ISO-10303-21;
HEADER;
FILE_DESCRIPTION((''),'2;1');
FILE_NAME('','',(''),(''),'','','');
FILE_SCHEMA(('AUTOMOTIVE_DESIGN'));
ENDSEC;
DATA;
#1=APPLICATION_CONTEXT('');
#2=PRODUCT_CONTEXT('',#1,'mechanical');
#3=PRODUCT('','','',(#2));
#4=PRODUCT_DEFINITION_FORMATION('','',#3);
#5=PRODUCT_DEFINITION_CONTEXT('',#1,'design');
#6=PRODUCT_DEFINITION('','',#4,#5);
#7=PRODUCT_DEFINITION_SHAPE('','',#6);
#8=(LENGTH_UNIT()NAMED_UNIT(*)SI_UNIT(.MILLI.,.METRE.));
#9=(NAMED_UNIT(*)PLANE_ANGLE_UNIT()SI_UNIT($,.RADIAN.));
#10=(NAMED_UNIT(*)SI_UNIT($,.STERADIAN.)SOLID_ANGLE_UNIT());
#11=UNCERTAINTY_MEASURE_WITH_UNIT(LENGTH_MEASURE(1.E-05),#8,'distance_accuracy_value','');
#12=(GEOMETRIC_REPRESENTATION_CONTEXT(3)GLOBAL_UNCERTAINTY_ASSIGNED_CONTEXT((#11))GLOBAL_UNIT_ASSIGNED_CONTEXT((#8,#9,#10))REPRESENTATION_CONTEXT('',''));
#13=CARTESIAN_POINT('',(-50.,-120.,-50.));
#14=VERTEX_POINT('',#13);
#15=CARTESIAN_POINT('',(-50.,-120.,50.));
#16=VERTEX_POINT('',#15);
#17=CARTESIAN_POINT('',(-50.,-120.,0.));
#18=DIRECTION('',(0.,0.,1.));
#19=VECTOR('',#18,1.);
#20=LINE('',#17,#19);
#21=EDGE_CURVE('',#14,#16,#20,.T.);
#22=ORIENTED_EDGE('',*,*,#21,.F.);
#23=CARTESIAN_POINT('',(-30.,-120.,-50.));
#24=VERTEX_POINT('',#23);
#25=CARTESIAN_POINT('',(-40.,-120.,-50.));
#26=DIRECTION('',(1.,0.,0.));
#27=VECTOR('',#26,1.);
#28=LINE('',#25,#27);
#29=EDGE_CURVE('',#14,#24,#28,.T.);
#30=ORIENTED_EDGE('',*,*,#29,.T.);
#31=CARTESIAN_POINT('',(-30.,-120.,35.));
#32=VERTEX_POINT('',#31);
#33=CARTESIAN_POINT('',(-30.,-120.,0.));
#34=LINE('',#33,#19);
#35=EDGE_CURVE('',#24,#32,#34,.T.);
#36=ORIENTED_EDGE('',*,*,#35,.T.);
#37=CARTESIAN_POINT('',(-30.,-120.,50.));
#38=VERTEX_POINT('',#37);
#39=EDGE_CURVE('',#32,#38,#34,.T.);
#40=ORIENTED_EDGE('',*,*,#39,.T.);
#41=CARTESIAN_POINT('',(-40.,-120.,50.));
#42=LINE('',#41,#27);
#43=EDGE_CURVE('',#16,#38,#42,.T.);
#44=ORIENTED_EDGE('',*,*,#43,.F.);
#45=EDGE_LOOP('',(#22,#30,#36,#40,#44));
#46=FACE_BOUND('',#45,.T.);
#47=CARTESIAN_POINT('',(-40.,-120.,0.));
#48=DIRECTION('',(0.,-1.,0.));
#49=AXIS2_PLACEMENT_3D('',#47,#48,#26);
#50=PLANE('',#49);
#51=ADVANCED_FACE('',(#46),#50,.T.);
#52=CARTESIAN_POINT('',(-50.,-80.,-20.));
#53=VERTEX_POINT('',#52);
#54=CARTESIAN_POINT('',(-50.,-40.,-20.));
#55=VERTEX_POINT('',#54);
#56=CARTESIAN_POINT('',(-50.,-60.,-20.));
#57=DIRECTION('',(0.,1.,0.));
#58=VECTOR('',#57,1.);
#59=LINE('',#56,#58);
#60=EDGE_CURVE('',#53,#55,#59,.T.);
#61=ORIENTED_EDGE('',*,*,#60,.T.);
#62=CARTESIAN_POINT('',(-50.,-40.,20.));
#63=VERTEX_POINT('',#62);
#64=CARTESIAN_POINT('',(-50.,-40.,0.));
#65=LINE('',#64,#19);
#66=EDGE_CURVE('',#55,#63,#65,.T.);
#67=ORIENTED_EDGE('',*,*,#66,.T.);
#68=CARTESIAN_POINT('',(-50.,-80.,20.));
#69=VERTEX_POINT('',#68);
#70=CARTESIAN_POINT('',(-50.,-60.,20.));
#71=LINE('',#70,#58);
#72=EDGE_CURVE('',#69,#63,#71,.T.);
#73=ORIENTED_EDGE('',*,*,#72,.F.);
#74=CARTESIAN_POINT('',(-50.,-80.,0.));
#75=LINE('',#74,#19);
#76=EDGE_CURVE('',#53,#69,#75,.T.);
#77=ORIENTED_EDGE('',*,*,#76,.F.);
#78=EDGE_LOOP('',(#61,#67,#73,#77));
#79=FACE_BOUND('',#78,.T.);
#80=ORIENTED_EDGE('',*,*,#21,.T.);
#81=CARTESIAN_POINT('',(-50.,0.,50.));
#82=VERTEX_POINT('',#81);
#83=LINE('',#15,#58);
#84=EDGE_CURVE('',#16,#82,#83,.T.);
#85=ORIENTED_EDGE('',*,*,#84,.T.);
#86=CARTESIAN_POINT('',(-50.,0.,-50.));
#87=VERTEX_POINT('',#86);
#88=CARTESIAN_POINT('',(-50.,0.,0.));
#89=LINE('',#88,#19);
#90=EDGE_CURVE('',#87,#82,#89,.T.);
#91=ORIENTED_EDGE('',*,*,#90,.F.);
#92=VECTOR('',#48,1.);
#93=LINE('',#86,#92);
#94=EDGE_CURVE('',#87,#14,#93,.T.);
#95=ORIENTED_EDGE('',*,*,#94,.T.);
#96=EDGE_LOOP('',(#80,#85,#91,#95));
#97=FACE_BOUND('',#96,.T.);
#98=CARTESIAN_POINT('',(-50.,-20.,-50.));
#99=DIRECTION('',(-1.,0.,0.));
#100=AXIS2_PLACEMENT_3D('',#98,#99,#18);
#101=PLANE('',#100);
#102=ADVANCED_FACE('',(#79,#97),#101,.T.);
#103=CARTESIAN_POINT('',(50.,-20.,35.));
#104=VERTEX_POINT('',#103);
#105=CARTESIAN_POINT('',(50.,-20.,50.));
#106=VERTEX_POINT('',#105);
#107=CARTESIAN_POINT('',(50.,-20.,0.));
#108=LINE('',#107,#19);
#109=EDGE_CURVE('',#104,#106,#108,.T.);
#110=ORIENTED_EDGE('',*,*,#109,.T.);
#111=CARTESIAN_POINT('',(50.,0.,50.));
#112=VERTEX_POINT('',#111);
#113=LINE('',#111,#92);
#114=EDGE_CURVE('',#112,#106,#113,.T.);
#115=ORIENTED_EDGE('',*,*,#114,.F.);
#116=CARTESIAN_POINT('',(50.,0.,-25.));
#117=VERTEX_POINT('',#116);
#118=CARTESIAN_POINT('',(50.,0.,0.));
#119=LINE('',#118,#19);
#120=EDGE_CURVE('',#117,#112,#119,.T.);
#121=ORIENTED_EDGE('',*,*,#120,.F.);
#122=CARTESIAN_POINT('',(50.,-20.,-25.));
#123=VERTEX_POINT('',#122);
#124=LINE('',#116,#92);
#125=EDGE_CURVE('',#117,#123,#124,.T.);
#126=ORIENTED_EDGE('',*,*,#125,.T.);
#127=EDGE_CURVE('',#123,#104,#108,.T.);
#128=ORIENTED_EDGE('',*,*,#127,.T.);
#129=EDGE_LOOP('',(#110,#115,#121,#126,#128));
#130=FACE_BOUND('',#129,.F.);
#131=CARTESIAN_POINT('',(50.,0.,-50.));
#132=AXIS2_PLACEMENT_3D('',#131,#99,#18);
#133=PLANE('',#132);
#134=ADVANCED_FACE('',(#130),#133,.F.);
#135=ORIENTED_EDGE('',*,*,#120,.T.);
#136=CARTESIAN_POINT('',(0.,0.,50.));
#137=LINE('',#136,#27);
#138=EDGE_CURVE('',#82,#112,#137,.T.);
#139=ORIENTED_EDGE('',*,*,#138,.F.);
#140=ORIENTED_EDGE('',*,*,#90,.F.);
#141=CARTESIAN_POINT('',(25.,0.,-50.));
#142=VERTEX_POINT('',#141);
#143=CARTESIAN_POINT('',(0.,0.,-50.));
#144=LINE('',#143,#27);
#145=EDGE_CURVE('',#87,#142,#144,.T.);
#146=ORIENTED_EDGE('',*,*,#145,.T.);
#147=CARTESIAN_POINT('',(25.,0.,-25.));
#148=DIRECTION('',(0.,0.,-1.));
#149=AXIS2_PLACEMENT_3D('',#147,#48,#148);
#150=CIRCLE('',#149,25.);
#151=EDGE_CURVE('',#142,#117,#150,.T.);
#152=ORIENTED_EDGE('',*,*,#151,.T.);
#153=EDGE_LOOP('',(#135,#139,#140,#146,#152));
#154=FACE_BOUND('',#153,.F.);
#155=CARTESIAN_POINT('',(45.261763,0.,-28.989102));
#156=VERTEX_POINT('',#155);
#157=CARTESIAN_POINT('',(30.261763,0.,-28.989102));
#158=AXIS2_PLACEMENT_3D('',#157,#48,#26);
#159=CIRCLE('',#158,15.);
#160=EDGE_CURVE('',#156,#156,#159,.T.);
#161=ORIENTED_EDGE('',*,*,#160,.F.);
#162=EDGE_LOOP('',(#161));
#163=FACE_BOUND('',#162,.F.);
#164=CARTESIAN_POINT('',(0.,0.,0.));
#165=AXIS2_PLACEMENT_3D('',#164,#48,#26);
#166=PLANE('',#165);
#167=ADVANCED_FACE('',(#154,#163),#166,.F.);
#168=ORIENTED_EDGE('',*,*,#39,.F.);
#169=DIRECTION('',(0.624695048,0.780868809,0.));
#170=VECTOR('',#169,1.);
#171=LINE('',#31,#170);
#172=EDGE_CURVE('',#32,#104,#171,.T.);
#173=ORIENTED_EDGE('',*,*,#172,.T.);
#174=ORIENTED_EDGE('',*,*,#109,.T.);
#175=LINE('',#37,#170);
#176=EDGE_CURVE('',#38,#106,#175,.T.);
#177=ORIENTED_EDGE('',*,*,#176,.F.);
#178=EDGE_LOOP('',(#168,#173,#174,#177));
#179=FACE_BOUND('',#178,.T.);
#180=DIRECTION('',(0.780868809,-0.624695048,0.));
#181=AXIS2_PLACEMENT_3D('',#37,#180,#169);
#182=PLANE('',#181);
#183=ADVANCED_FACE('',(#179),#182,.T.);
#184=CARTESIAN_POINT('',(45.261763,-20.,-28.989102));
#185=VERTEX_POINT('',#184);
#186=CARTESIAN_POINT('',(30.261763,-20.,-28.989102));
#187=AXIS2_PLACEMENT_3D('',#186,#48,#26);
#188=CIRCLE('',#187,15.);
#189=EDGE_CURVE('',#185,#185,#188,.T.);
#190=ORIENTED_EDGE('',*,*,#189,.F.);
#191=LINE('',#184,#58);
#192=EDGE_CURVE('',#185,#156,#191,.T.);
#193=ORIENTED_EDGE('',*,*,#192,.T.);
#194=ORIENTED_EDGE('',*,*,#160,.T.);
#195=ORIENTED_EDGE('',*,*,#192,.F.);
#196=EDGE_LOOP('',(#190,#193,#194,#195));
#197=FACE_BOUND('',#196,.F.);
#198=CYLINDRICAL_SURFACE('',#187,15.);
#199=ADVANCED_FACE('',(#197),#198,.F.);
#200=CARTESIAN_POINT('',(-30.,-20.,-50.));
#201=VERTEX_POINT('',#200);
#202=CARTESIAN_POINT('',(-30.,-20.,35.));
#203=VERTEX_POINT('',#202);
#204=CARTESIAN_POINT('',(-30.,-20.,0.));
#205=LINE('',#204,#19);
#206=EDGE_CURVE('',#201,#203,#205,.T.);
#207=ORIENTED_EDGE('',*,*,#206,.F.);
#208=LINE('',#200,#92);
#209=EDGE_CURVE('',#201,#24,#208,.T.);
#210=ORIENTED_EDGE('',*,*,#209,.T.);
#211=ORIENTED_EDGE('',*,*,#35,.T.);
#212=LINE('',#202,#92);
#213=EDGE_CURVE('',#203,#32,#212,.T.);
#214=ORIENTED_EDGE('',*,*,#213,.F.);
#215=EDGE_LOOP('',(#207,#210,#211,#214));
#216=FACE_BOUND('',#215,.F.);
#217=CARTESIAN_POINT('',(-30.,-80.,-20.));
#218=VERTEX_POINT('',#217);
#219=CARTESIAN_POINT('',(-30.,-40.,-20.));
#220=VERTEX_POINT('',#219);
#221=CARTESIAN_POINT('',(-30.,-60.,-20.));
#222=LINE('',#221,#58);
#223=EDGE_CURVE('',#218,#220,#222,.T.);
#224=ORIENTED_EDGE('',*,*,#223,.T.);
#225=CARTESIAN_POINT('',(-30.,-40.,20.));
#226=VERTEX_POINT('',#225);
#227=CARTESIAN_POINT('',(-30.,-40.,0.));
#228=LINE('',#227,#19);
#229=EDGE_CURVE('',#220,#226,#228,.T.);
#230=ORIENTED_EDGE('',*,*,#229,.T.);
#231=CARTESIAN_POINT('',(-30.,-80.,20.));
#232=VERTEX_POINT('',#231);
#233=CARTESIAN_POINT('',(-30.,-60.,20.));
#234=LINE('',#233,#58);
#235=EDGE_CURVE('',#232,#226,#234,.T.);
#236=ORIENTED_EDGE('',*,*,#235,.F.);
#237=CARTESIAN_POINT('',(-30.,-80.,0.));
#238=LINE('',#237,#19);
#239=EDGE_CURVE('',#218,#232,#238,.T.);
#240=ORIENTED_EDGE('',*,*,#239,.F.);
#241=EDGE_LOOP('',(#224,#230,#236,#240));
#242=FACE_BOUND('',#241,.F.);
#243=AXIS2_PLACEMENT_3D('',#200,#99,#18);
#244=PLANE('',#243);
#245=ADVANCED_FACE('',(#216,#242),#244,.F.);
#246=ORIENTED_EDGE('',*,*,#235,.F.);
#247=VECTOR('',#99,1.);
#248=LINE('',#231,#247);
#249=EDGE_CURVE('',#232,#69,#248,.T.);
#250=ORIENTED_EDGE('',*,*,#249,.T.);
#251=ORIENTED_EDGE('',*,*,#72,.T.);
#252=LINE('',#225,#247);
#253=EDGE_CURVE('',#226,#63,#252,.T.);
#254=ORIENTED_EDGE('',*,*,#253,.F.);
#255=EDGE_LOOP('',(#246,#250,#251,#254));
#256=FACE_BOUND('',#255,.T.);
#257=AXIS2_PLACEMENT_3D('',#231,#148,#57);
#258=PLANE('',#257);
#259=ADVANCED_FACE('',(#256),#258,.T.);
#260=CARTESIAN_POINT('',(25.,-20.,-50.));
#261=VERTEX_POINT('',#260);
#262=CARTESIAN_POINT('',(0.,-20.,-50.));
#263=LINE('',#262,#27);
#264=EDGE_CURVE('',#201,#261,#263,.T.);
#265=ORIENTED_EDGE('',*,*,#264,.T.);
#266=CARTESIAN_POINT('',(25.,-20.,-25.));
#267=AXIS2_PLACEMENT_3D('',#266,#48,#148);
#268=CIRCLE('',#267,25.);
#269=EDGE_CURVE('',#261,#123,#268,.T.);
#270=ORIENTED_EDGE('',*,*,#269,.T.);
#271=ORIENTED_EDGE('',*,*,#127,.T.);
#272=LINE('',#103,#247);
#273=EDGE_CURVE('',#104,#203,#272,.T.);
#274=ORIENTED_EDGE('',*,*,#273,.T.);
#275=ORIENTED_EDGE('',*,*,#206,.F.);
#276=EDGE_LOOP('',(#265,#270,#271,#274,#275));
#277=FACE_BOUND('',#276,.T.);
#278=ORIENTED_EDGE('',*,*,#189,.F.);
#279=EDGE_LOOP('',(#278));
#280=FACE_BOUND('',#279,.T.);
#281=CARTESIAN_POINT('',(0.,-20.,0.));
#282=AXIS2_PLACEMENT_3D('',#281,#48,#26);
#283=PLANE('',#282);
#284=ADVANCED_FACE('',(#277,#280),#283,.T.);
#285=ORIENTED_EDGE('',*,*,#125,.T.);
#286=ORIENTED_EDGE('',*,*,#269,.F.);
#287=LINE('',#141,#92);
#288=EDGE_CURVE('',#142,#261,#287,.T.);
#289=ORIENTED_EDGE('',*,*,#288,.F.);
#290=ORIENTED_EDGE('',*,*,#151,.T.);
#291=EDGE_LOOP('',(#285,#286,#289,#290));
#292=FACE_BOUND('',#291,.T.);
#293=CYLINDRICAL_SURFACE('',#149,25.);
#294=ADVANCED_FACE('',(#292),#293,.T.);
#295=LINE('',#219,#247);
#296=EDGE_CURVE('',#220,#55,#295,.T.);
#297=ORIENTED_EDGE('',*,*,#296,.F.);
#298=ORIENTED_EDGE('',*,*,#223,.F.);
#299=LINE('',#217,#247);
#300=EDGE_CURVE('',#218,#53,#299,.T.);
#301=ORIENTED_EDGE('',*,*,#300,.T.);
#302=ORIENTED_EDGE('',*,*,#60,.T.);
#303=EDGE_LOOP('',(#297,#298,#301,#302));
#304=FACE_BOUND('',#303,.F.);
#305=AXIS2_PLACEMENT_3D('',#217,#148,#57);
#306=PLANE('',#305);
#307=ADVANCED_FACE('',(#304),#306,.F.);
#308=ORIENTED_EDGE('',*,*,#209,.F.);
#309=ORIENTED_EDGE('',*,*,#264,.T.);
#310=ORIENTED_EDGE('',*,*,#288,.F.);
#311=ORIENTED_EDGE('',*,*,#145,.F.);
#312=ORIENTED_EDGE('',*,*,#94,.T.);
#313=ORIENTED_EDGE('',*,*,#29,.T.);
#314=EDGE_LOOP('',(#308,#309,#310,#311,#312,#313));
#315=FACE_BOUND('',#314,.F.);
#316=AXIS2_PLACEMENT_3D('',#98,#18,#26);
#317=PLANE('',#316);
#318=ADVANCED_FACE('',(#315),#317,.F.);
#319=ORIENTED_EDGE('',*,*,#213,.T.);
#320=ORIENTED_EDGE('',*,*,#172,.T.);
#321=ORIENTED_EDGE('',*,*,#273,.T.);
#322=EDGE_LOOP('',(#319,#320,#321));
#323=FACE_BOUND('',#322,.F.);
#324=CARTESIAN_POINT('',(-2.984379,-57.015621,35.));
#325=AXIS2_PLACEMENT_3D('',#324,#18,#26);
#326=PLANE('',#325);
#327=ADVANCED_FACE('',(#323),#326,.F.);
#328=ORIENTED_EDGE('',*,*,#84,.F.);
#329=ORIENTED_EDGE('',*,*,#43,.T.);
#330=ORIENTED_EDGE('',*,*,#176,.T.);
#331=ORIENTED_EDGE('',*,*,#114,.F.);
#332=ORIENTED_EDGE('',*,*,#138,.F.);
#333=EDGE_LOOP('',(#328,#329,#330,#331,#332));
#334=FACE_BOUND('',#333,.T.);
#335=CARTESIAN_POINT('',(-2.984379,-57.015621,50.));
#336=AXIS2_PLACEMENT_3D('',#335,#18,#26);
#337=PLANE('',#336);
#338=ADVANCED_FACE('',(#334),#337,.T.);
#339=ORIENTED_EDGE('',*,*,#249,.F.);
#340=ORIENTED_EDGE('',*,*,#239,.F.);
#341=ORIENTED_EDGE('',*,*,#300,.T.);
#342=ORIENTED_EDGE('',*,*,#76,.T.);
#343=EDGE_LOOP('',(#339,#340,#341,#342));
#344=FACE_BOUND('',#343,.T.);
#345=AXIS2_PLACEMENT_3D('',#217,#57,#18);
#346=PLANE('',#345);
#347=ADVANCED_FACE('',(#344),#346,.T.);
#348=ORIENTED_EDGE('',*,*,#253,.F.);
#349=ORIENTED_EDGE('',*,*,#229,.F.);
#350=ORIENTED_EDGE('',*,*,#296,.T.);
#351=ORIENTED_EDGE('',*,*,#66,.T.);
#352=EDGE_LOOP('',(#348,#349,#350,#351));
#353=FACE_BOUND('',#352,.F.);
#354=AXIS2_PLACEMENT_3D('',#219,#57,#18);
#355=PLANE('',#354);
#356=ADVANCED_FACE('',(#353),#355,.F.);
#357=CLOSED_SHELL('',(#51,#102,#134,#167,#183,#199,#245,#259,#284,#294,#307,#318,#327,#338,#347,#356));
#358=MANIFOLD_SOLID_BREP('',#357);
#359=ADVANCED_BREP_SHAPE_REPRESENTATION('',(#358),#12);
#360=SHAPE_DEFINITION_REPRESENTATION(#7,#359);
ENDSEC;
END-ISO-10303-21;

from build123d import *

# Parameters (mm, degrees)
F0_W      = 100
F0_H      = 100
F1_DEPTH  = 20
F2_R      = 15
F3_DEPTH  = 20
F4_W      = 20
F4_H      = 100
F5_DEPTH  = 100
F6_R      = 25
F7_W      = 40
F7_H      = 40
F8_DEPTH  = 20
F10_DEPTH = 15


with BuildPart() as f1:
    # F0 (on Front) → F1 (new body)
    with BuildSketch(Plane.XZ):
        Rectangle(F0_W, F0_H)
    extrude(amount=F1_DEPTH)

    # F2 (on face) → F3 (cut)
    with BuildSketch(Plane.XZ.offset(20)):
        with Locations((30.261763, -28.989102)):
            Circle(F2_R)
    extrude(amount=-F3_DEPTH, mode=Mode.SUBTRACT)

    # F4 (on face) → F5 (join)
    with BuildSketch(Plane.XZ.offset(20)):
        with Locations((-40, 0)):
            Rectangle(F4_W, F4_H)
    extrude(amount=F5_DEPTH)

    # F6
    f6_edges = [f1.edges().sort_by_distance(p)[0] for p in [
        (50, -10, -50),
    ]]
    fillet(f6_edges, radius=F6_R)

    # F7 (on face) → F8 (cut)
    with BuildSketch(Plane.YZ.offset(-30)):
        with Locations((-60, 0)):
            Rectangle(F7_W, F7_H)
    extrude(amount=-F8_DEPTH, mode=Mode.SUBTRACT)

    # F9 (on face) → F10 (join)
    with BuildSketch(Plane.XY.offset(50)):
        Polygon((-30, -20), (-30, -120), (50, -20), align=None)
    extrude(amount=-F10_DEPTH)


solid = f1.part
